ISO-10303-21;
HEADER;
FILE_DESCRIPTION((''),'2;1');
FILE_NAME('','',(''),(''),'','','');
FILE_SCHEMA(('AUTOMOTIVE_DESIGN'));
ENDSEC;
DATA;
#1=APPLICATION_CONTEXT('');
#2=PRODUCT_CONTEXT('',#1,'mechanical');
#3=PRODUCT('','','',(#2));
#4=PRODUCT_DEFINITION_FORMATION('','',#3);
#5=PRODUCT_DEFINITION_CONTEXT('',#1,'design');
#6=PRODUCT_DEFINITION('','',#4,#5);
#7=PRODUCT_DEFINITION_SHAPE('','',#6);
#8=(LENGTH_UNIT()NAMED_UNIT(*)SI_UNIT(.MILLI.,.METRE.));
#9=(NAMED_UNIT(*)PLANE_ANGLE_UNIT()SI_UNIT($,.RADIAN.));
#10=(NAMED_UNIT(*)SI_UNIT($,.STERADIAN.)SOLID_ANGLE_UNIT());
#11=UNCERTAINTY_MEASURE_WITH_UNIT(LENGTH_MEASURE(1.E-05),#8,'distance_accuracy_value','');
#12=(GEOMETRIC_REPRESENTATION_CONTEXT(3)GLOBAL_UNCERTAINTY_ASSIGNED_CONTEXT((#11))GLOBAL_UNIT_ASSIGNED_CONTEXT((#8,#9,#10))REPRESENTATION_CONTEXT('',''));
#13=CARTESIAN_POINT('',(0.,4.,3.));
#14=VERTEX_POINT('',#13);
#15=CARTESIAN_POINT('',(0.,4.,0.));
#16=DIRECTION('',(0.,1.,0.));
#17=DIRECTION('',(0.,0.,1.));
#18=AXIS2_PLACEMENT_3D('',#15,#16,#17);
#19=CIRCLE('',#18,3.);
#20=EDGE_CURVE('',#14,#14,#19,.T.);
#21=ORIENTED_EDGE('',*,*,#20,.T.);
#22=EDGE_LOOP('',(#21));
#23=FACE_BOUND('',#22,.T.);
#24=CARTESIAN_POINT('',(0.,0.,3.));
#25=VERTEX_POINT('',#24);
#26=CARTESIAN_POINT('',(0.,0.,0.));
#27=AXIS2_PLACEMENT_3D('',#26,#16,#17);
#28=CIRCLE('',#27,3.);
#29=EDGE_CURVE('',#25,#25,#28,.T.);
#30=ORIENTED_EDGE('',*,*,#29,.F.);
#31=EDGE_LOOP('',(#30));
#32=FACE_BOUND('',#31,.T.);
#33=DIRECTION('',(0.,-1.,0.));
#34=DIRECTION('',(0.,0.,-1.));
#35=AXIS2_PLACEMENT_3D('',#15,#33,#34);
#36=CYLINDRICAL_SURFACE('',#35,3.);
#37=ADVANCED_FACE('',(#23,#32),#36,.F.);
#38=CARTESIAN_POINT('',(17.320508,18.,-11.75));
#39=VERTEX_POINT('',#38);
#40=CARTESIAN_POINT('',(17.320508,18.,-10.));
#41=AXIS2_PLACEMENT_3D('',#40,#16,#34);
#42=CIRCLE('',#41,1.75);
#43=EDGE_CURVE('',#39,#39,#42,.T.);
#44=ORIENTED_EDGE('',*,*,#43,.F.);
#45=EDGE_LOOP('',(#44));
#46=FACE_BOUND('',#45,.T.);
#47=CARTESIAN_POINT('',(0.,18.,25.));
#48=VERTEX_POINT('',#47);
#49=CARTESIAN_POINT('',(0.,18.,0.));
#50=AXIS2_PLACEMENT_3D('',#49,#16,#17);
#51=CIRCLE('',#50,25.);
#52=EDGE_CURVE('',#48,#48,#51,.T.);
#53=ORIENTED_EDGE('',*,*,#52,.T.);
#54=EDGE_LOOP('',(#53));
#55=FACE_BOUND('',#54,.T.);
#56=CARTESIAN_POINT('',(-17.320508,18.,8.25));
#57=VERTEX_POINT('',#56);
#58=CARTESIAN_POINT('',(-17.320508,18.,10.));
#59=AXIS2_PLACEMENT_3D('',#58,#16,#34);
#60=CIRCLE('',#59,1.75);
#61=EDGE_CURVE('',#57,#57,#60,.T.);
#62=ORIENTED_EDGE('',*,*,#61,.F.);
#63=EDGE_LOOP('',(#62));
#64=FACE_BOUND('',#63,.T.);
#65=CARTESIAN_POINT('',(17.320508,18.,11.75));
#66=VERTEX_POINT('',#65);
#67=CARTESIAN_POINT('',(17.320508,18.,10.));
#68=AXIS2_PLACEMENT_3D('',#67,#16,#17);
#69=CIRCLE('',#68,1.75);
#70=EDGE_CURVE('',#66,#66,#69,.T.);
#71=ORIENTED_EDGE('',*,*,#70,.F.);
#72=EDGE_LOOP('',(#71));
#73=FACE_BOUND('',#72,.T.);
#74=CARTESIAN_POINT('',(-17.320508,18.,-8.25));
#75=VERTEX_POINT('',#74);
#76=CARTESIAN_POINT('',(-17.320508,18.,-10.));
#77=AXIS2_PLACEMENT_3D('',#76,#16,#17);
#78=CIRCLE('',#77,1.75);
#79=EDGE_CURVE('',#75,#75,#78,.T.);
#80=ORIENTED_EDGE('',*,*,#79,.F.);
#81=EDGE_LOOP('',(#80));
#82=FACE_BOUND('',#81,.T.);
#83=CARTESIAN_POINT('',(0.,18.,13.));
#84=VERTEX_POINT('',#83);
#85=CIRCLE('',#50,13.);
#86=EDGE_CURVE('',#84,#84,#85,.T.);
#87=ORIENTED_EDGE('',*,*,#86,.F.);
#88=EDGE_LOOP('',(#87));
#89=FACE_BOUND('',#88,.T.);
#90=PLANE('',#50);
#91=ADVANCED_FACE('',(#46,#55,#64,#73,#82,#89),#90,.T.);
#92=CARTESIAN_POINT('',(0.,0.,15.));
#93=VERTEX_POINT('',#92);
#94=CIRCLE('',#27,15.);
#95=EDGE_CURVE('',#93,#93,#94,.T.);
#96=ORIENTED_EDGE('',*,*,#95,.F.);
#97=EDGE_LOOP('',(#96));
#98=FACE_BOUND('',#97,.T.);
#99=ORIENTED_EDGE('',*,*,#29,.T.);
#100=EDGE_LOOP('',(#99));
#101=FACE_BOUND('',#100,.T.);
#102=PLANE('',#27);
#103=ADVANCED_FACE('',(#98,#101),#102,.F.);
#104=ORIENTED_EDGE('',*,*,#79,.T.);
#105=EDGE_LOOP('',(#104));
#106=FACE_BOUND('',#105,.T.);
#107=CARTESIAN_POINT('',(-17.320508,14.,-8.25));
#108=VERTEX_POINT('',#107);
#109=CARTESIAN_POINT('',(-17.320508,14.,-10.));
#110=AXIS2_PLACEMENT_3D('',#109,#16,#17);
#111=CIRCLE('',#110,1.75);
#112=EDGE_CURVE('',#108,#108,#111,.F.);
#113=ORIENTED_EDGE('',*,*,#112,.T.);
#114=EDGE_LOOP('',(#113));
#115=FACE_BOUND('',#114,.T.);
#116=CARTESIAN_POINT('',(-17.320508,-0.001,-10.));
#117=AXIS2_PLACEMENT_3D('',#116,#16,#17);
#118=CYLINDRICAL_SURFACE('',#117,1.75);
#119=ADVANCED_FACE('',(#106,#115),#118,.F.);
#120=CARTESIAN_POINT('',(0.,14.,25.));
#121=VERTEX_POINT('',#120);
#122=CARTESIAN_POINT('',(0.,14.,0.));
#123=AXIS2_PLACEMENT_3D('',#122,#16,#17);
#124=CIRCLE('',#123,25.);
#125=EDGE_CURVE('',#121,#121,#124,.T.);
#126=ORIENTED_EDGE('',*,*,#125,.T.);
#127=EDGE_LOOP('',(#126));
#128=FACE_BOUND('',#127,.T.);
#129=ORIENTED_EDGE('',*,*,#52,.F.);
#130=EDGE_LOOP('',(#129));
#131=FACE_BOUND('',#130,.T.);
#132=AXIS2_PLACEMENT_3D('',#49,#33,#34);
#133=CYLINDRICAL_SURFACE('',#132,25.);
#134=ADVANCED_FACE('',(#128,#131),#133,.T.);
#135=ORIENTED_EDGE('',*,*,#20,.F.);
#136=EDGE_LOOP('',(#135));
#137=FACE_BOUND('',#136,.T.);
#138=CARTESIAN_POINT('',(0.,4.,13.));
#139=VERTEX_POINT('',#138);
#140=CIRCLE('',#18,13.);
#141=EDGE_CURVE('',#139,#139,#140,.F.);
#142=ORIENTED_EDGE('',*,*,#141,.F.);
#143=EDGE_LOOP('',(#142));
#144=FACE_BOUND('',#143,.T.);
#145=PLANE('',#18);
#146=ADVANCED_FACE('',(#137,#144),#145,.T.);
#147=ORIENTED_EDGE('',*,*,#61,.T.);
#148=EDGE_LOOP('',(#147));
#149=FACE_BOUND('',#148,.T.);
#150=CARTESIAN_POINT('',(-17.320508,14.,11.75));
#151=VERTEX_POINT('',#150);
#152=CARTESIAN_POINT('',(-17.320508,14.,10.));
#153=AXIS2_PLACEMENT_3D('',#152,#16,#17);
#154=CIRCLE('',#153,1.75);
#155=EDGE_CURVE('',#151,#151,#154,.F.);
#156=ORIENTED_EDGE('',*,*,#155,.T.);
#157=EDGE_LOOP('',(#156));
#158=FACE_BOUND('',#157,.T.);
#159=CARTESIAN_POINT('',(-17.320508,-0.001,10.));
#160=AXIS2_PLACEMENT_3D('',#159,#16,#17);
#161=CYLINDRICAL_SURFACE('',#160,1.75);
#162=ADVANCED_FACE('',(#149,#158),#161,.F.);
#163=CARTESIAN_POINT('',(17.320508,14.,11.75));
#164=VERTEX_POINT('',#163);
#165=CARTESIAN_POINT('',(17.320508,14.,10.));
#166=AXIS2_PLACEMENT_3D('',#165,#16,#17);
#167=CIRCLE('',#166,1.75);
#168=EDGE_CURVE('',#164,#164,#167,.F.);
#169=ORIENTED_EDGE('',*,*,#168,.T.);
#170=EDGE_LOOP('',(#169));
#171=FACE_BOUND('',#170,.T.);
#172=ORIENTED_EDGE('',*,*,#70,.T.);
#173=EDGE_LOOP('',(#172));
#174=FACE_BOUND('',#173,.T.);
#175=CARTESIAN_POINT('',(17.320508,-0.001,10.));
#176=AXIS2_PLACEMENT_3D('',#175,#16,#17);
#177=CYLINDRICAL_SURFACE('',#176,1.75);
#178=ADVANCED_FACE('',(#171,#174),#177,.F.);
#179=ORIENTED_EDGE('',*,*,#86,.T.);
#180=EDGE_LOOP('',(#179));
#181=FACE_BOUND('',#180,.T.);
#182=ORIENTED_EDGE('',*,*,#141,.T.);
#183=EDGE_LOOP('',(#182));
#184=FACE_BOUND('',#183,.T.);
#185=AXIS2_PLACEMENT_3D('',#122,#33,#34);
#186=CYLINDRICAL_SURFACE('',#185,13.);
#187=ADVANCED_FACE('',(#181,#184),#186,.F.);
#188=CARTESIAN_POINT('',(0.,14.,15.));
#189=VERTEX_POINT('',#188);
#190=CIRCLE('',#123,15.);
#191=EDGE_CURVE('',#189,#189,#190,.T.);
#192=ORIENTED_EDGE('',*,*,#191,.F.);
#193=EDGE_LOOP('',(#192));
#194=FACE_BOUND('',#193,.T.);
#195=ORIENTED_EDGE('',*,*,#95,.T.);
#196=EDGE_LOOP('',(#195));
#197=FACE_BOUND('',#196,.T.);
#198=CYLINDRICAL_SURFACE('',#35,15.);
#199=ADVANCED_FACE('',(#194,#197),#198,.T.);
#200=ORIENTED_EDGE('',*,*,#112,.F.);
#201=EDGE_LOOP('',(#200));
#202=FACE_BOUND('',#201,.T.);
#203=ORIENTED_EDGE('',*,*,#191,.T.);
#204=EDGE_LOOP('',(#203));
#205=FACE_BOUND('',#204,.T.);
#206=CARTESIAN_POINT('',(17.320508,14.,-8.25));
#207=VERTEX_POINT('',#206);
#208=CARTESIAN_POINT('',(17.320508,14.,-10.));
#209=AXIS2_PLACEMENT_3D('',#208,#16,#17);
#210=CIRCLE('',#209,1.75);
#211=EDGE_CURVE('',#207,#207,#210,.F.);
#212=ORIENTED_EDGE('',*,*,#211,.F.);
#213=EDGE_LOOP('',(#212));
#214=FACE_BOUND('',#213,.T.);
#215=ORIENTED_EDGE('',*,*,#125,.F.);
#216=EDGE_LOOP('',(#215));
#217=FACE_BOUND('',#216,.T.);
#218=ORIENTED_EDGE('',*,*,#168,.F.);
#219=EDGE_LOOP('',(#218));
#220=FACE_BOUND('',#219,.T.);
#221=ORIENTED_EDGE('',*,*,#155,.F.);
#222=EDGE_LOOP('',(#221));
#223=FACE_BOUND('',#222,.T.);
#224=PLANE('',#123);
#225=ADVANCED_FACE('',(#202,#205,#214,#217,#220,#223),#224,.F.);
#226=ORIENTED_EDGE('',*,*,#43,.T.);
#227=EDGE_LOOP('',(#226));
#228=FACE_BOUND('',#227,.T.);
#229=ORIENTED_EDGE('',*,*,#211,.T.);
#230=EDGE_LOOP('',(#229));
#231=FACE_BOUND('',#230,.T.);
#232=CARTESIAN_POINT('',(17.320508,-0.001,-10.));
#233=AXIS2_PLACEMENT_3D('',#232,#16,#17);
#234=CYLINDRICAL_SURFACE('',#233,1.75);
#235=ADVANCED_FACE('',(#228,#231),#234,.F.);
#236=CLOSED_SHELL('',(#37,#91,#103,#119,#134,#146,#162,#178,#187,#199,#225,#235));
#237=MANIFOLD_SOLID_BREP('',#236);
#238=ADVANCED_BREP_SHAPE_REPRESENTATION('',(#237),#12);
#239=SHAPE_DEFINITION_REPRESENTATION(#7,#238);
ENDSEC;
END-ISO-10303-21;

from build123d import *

# Parameters (mm, degrees)
SKETCH1_R           = 15
SKETCH1_R_2         = 3
BOSS_EXTRUDE1_DEPTH = 4
SKETCH2_R           = 15
SKETCH2_R_2         = 13
EXTRUDE_THIN1_DEPTH = 10
SKETCH3_R           = 25
SKETCH3_R_2         = 13
BOSS_EXTRUDE2_DEPTH = 4
CUT_EXTRUDE1_REACH  = 20
SKETCH4_R           = 1.75


with BuildPart() as part:
    # Sketch1 → Boss-Extrude1 (new body)
    with BuildSketch(Plane(origin=(0, 0, 0), x_dir=(1, 0, 0), z_dir=(0, 1, 0))):
        Circle(SKETCH1_R)
        Circle(SKETCH1_R_2, mode=Mode.SUBTRACT)
    extrude(amount=BOSS_EXTRUDE1_DEPTH)

    # Sketch2 → Extrude-Thin1 (add)
    with BuildSketch(Plane(origin=(0, 4, 0), x_dir=(1, 0, 0), z_dir=(0, 1, 0))):
        Circle(SKETCH2_R)
        Circle(SKETCH2_R_2, mode=Mode.SUBTRACT)
    extrude(amount=EXTRUDE_THIN1_DEPTH)

    # Sketch3 → Boss-Extrude2 (add)
    with BuildSketch(Plane(origin=(0, 14, 0), x_dir=(1, 0, 0), z_dir=(0, 1, 0))):
        Circle(SKETCH3_R)
        Circle(SKETCH3_R_2, mode=Mode.SUBTRACT)
    extrude(amount=BOSS_EXTRUDE2_DEPTH)

    # Sketch4 → Cut-Extrude1 (cut, up to next)
    with BuildSketch(Plane(origin=(0, 18, 0), x_dir=(1, 0, 0), z_dir=(0, 1, 0)), mode=Mode.PRIVATE) as cut_extrude1_sk1:
        with Locations((-17.320508076, 10)):
            Circle(SKETCH4_R)
    cut_extrude1_tool1 = extrude(cut_extrude1_sk1.sketch, amount=-CUT_EXTRUDE1_REACH, mode=Mode.PRIVATE) & part.part
    add(cut_extrude1_tool1.solids().sort_by_distance((-17.320508, 18, -10))[0], mode=Mode.SUBTRACT)
    # Sketch4 → Cut-Extrude1 (cut, up to next)
    with BuildSketch(Plane(origin=(0, 18, 0), x_dir=(1, 0, 0), z_dir=(0, 1, 0)), mode=Mode.PRIVATE) as cut_extrude1_sk2:
        with Locations((17.320508076, 10)):
            Circle(SKETCH4_R)
    cut_extrude1_tool2 = extrude(cut_extrude1_sk2.sketch, amount=-CUT_EXTRUDE1_REACH, mode=Mode.PRIVATE) & part.part
    add(cut_extrude1_tool2.solids().sort_by_distance((17.320508, 18, -10))[0], mode=Mode.SUBTRACT)
    # Sketch4 → Cut-Extrude1 (cut, up to next)
    with BuildSketch(Plane(origin=(0, 18, 0), x_dir=(1, 0, 0), z_dir=(0, 1, 0)), mode=Mode.PRIVATE) as cut_extrude1_sk3:
        with Locations((17.320508076, -10)):
            Circle(SKETCH4_R)
    cut_extrude1_tool3 = extrude(cut_extrude1_sk3.sketch, amount=-CUT_EXTRUDE1_REACH, mode=Mode.PRIVATE) & part.part
    add(cut_extrude1_tool3.solids().sort_by_distance((17.320508, 18, 10))[0], mode=Mode.SUBTRACT)
    # Sketch4 → Cut-Extrude1 (cut, up to next)
    with BuildSketch(Plane(origin=(0, 18, 0), x_dir=(1, 0, 0), z_dir=(0, 1, 0)), mode=Mode.PRIVATE) as cut_extrude1_sk4:
        with Locations((-17.320508076, -10)):
            Circle(SKETCH4_R)
    cut_extrude1_tool4 = extrude(cut_extrude1_sk4.sketch, amount=-CUT_EXTRUDE1_REACH, mode=Mode.PRIVATE) & part.part
    add(cut_extrude1_tool4.solids().sort_by_distance((-17.320508, 18, 10))[0], mode=Mode.SUBTRACT)


solid = part.part
